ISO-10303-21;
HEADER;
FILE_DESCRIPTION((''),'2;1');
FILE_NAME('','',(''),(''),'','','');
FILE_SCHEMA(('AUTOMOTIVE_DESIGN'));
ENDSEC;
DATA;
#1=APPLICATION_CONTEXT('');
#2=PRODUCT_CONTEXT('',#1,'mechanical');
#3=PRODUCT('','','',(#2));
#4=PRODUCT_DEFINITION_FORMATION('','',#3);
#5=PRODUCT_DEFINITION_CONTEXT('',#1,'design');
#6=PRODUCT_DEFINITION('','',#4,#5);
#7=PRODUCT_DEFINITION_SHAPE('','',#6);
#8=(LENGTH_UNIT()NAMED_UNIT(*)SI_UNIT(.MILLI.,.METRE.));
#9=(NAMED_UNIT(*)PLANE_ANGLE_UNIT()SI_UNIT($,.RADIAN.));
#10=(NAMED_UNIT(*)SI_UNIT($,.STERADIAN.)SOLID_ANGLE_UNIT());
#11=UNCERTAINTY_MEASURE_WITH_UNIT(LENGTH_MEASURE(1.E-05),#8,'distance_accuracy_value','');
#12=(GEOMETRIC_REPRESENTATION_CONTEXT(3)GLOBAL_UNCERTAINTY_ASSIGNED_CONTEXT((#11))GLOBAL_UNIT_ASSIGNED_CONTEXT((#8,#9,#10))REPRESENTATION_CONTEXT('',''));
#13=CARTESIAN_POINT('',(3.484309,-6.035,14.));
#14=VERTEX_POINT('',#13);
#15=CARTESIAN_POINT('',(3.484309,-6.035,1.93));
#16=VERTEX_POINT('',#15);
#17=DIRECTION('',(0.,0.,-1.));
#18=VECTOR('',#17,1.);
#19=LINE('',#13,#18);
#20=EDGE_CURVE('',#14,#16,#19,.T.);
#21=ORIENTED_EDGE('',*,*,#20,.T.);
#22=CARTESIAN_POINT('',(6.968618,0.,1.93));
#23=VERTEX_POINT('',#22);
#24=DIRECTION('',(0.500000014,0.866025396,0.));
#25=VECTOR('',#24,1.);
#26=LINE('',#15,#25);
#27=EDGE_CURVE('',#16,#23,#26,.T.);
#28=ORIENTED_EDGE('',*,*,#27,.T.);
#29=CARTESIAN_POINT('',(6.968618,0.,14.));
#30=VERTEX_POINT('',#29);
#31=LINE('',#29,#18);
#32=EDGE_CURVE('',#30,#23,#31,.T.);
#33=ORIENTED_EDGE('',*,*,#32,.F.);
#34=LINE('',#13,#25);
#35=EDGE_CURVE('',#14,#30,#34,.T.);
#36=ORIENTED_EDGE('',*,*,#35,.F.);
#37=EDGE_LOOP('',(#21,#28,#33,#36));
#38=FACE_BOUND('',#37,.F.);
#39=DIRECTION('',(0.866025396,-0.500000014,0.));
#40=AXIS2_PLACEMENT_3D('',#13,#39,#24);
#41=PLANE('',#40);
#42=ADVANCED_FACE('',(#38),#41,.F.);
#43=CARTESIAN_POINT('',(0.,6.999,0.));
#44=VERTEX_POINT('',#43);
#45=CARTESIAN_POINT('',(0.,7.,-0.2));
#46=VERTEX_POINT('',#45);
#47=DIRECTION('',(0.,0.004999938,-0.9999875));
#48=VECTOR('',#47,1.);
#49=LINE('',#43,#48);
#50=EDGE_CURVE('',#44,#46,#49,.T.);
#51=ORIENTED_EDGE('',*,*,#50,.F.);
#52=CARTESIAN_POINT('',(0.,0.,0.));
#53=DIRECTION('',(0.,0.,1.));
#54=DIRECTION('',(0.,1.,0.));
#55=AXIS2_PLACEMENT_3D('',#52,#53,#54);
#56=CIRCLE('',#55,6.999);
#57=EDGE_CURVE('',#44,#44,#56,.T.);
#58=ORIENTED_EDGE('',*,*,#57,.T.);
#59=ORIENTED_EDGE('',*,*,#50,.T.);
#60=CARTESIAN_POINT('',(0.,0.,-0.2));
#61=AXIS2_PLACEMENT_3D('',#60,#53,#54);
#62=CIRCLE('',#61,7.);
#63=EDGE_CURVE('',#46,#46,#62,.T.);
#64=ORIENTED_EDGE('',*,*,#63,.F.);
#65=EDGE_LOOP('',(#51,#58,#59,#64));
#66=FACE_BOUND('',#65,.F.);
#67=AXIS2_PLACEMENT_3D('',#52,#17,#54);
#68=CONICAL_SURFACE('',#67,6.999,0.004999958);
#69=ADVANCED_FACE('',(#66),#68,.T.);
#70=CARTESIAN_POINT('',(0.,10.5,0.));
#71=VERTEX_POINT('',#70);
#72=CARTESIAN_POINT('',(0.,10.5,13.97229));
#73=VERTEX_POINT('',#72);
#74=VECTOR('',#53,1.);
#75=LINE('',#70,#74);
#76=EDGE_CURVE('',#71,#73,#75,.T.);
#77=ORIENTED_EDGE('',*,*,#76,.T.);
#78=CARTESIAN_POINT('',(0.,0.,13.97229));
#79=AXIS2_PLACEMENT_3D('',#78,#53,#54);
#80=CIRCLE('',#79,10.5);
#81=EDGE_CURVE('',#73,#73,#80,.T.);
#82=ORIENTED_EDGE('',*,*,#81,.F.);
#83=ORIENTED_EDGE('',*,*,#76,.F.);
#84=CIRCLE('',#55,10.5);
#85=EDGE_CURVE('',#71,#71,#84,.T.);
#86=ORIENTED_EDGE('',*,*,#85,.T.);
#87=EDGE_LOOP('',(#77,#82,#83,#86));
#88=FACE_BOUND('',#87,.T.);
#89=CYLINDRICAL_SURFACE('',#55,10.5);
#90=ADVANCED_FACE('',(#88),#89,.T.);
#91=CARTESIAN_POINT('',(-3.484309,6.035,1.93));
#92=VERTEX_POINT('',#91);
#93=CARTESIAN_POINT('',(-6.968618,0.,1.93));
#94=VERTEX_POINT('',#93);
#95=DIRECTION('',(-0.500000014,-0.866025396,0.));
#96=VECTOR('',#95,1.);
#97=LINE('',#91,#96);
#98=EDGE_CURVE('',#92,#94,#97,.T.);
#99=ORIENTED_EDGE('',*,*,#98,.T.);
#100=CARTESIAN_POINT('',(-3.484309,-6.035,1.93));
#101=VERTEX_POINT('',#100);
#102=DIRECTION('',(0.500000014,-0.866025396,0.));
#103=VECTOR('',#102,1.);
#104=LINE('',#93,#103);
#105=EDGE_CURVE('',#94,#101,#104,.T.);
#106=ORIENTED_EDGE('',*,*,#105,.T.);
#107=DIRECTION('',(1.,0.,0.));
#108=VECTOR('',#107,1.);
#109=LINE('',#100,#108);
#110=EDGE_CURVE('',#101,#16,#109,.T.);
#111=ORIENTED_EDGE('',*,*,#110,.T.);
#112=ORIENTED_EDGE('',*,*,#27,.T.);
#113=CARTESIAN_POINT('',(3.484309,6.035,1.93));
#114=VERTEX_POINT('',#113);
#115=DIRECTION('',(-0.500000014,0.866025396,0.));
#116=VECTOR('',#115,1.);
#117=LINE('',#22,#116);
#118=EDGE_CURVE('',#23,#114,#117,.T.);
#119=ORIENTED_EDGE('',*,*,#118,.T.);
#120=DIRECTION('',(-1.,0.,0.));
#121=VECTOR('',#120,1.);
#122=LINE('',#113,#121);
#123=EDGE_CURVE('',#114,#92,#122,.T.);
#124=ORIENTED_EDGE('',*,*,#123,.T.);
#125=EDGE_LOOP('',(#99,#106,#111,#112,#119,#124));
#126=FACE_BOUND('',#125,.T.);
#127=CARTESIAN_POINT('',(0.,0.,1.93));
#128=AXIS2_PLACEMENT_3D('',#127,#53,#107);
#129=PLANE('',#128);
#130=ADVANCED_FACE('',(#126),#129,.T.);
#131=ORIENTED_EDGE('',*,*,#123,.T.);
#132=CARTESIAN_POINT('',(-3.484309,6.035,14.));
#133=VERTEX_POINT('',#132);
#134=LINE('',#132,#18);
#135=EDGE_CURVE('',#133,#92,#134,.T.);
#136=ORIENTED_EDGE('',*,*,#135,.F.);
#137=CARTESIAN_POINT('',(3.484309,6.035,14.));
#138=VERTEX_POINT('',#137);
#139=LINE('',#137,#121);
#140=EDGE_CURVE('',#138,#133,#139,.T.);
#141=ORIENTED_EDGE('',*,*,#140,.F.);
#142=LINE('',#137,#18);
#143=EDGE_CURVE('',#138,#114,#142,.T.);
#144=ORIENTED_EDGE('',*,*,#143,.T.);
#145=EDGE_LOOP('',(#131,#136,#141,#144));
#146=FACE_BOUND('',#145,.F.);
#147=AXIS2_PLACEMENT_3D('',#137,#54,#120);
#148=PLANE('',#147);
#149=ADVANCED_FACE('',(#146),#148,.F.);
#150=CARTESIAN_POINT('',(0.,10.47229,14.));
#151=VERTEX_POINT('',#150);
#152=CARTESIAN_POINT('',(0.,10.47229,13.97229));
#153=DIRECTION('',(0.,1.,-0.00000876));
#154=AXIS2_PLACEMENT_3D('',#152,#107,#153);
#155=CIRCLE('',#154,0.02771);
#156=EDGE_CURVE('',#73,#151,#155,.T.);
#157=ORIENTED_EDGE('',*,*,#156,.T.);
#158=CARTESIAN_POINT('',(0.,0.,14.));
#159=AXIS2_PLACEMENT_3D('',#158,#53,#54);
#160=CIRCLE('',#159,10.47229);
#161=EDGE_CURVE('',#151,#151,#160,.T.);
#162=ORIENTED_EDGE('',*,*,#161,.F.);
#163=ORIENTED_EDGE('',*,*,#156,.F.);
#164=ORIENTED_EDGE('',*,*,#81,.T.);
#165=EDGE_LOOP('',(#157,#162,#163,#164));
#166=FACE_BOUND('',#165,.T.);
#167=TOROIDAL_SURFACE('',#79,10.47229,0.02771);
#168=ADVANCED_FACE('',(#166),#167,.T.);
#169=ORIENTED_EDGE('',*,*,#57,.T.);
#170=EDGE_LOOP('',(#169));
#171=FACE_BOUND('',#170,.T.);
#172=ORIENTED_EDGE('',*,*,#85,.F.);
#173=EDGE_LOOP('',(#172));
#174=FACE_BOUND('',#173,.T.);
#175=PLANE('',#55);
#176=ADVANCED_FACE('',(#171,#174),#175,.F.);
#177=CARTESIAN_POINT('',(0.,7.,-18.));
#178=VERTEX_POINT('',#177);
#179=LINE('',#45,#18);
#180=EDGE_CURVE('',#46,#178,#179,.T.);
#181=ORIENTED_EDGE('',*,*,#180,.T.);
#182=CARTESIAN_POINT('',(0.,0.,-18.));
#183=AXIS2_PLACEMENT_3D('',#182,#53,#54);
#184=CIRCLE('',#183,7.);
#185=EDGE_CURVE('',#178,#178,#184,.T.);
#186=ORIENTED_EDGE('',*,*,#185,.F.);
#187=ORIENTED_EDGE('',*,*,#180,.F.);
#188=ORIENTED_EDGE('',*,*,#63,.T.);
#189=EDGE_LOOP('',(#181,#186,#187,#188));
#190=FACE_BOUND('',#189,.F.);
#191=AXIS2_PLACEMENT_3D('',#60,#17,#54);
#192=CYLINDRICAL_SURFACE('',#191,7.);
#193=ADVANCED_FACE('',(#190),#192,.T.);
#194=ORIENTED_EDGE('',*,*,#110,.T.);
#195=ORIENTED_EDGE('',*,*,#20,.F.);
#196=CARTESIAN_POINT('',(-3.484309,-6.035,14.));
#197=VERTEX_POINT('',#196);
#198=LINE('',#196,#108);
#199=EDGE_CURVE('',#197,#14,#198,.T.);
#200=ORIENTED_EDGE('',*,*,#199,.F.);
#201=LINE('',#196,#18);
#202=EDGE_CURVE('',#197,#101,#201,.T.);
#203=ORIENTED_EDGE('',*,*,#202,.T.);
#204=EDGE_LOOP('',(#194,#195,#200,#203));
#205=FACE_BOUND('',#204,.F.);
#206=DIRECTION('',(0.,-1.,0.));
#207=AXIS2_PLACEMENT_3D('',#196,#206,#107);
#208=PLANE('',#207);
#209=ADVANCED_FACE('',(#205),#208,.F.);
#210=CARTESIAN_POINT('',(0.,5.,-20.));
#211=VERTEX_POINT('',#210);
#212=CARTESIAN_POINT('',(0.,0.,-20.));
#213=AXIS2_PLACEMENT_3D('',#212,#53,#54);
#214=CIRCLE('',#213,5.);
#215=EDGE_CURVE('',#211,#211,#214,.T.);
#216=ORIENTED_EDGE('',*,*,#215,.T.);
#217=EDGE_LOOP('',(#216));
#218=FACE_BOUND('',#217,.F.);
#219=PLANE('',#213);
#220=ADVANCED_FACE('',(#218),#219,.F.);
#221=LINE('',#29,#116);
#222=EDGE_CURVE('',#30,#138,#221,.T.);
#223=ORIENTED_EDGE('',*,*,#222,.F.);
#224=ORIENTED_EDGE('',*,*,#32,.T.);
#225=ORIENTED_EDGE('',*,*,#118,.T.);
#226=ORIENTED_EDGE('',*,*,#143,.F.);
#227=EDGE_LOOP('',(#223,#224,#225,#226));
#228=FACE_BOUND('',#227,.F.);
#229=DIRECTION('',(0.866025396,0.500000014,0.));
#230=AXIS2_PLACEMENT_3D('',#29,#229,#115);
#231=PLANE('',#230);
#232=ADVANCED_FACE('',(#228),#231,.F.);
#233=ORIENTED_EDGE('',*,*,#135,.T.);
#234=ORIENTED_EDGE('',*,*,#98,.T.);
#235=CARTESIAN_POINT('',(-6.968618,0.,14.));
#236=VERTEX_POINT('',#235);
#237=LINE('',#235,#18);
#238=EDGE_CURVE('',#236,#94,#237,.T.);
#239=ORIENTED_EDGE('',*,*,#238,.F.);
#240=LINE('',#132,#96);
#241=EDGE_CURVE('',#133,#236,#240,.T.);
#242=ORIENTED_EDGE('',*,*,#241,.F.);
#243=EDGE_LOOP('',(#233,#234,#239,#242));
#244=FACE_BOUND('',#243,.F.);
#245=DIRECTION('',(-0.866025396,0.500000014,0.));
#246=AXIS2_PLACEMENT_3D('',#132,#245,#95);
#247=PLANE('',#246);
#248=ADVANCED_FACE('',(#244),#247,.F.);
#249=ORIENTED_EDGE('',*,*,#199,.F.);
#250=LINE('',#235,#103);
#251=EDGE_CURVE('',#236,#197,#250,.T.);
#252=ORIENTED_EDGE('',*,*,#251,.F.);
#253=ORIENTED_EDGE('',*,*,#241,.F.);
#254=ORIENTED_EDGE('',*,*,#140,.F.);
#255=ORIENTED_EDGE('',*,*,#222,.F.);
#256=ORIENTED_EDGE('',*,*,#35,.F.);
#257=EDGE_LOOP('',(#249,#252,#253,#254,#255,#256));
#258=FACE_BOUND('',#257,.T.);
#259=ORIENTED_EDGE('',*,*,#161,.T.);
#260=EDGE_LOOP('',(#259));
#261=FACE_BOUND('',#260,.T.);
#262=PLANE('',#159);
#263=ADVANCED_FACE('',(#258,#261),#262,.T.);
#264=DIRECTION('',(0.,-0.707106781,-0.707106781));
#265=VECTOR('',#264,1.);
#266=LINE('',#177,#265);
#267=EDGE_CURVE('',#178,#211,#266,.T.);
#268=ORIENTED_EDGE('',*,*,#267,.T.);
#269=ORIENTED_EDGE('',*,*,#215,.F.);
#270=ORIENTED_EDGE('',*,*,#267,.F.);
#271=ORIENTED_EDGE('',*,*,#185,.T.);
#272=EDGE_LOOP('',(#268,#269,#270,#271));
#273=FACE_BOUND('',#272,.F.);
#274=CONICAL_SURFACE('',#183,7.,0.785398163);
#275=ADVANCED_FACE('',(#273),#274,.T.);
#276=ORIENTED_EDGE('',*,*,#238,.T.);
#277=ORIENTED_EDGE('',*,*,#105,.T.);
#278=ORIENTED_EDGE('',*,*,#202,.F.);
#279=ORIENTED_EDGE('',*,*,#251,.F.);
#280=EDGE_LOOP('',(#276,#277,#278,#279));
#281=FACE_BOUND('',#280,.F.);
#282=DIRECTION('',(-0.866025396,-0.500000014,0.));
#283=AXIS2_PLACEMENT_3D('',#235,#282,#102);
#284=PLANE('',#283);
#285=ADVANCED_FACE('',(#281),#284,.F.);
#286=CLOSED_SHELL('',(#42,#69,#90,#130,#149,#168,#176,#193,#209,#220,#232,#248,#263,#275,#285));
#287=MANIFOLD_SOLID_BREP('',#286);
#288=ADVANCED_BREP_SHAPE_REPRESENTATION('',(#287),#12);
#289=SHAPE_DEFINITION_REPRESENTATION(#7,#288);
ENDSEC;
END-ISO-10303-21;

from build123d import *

# Parameters (mm, degrees)
POCKET_DEPTH = 12.07


with BuildPart() as part:
    # Sketch → Revolve (revolve)
    with BuildSketch(Plane.YZ):
        with BuildLine():
            Line((6.999, 0), (10.5, 0))
            Line((10.5, 0), (10.5, 13.97229))
            ThreePointArc((10.5, 13.97229), (10.491884, 13.991884), (10.47229, 14))
            Line((10.47229, 14), (0, 14))
            Line((0, -20), (0, 14))
            Line((5, -20), (0, -20))
            Line((7, -18), (5, -20))
            Line((7, -0.2), (7, -18))
            Line((6.999, 0), (7, -0.2))
        make_face()
    revolve(axis=Axis((0, 0, 0), (0, 0, 1)))

    # Sketch001 → Pocket (cut)
    with BuildSketch(Plane.XY.offset(14)):
        Polygon((6.968618, 0), (3.484309, 6.035), (-3.484309, 6.035), (-6.968618, 0), (-3.484309, -6.035), (3.484309, -6.035), align=None)
    extrude(amount=-POCKET_DEPTH, mode=Mode.SUBTRACT)


solid = part.part
